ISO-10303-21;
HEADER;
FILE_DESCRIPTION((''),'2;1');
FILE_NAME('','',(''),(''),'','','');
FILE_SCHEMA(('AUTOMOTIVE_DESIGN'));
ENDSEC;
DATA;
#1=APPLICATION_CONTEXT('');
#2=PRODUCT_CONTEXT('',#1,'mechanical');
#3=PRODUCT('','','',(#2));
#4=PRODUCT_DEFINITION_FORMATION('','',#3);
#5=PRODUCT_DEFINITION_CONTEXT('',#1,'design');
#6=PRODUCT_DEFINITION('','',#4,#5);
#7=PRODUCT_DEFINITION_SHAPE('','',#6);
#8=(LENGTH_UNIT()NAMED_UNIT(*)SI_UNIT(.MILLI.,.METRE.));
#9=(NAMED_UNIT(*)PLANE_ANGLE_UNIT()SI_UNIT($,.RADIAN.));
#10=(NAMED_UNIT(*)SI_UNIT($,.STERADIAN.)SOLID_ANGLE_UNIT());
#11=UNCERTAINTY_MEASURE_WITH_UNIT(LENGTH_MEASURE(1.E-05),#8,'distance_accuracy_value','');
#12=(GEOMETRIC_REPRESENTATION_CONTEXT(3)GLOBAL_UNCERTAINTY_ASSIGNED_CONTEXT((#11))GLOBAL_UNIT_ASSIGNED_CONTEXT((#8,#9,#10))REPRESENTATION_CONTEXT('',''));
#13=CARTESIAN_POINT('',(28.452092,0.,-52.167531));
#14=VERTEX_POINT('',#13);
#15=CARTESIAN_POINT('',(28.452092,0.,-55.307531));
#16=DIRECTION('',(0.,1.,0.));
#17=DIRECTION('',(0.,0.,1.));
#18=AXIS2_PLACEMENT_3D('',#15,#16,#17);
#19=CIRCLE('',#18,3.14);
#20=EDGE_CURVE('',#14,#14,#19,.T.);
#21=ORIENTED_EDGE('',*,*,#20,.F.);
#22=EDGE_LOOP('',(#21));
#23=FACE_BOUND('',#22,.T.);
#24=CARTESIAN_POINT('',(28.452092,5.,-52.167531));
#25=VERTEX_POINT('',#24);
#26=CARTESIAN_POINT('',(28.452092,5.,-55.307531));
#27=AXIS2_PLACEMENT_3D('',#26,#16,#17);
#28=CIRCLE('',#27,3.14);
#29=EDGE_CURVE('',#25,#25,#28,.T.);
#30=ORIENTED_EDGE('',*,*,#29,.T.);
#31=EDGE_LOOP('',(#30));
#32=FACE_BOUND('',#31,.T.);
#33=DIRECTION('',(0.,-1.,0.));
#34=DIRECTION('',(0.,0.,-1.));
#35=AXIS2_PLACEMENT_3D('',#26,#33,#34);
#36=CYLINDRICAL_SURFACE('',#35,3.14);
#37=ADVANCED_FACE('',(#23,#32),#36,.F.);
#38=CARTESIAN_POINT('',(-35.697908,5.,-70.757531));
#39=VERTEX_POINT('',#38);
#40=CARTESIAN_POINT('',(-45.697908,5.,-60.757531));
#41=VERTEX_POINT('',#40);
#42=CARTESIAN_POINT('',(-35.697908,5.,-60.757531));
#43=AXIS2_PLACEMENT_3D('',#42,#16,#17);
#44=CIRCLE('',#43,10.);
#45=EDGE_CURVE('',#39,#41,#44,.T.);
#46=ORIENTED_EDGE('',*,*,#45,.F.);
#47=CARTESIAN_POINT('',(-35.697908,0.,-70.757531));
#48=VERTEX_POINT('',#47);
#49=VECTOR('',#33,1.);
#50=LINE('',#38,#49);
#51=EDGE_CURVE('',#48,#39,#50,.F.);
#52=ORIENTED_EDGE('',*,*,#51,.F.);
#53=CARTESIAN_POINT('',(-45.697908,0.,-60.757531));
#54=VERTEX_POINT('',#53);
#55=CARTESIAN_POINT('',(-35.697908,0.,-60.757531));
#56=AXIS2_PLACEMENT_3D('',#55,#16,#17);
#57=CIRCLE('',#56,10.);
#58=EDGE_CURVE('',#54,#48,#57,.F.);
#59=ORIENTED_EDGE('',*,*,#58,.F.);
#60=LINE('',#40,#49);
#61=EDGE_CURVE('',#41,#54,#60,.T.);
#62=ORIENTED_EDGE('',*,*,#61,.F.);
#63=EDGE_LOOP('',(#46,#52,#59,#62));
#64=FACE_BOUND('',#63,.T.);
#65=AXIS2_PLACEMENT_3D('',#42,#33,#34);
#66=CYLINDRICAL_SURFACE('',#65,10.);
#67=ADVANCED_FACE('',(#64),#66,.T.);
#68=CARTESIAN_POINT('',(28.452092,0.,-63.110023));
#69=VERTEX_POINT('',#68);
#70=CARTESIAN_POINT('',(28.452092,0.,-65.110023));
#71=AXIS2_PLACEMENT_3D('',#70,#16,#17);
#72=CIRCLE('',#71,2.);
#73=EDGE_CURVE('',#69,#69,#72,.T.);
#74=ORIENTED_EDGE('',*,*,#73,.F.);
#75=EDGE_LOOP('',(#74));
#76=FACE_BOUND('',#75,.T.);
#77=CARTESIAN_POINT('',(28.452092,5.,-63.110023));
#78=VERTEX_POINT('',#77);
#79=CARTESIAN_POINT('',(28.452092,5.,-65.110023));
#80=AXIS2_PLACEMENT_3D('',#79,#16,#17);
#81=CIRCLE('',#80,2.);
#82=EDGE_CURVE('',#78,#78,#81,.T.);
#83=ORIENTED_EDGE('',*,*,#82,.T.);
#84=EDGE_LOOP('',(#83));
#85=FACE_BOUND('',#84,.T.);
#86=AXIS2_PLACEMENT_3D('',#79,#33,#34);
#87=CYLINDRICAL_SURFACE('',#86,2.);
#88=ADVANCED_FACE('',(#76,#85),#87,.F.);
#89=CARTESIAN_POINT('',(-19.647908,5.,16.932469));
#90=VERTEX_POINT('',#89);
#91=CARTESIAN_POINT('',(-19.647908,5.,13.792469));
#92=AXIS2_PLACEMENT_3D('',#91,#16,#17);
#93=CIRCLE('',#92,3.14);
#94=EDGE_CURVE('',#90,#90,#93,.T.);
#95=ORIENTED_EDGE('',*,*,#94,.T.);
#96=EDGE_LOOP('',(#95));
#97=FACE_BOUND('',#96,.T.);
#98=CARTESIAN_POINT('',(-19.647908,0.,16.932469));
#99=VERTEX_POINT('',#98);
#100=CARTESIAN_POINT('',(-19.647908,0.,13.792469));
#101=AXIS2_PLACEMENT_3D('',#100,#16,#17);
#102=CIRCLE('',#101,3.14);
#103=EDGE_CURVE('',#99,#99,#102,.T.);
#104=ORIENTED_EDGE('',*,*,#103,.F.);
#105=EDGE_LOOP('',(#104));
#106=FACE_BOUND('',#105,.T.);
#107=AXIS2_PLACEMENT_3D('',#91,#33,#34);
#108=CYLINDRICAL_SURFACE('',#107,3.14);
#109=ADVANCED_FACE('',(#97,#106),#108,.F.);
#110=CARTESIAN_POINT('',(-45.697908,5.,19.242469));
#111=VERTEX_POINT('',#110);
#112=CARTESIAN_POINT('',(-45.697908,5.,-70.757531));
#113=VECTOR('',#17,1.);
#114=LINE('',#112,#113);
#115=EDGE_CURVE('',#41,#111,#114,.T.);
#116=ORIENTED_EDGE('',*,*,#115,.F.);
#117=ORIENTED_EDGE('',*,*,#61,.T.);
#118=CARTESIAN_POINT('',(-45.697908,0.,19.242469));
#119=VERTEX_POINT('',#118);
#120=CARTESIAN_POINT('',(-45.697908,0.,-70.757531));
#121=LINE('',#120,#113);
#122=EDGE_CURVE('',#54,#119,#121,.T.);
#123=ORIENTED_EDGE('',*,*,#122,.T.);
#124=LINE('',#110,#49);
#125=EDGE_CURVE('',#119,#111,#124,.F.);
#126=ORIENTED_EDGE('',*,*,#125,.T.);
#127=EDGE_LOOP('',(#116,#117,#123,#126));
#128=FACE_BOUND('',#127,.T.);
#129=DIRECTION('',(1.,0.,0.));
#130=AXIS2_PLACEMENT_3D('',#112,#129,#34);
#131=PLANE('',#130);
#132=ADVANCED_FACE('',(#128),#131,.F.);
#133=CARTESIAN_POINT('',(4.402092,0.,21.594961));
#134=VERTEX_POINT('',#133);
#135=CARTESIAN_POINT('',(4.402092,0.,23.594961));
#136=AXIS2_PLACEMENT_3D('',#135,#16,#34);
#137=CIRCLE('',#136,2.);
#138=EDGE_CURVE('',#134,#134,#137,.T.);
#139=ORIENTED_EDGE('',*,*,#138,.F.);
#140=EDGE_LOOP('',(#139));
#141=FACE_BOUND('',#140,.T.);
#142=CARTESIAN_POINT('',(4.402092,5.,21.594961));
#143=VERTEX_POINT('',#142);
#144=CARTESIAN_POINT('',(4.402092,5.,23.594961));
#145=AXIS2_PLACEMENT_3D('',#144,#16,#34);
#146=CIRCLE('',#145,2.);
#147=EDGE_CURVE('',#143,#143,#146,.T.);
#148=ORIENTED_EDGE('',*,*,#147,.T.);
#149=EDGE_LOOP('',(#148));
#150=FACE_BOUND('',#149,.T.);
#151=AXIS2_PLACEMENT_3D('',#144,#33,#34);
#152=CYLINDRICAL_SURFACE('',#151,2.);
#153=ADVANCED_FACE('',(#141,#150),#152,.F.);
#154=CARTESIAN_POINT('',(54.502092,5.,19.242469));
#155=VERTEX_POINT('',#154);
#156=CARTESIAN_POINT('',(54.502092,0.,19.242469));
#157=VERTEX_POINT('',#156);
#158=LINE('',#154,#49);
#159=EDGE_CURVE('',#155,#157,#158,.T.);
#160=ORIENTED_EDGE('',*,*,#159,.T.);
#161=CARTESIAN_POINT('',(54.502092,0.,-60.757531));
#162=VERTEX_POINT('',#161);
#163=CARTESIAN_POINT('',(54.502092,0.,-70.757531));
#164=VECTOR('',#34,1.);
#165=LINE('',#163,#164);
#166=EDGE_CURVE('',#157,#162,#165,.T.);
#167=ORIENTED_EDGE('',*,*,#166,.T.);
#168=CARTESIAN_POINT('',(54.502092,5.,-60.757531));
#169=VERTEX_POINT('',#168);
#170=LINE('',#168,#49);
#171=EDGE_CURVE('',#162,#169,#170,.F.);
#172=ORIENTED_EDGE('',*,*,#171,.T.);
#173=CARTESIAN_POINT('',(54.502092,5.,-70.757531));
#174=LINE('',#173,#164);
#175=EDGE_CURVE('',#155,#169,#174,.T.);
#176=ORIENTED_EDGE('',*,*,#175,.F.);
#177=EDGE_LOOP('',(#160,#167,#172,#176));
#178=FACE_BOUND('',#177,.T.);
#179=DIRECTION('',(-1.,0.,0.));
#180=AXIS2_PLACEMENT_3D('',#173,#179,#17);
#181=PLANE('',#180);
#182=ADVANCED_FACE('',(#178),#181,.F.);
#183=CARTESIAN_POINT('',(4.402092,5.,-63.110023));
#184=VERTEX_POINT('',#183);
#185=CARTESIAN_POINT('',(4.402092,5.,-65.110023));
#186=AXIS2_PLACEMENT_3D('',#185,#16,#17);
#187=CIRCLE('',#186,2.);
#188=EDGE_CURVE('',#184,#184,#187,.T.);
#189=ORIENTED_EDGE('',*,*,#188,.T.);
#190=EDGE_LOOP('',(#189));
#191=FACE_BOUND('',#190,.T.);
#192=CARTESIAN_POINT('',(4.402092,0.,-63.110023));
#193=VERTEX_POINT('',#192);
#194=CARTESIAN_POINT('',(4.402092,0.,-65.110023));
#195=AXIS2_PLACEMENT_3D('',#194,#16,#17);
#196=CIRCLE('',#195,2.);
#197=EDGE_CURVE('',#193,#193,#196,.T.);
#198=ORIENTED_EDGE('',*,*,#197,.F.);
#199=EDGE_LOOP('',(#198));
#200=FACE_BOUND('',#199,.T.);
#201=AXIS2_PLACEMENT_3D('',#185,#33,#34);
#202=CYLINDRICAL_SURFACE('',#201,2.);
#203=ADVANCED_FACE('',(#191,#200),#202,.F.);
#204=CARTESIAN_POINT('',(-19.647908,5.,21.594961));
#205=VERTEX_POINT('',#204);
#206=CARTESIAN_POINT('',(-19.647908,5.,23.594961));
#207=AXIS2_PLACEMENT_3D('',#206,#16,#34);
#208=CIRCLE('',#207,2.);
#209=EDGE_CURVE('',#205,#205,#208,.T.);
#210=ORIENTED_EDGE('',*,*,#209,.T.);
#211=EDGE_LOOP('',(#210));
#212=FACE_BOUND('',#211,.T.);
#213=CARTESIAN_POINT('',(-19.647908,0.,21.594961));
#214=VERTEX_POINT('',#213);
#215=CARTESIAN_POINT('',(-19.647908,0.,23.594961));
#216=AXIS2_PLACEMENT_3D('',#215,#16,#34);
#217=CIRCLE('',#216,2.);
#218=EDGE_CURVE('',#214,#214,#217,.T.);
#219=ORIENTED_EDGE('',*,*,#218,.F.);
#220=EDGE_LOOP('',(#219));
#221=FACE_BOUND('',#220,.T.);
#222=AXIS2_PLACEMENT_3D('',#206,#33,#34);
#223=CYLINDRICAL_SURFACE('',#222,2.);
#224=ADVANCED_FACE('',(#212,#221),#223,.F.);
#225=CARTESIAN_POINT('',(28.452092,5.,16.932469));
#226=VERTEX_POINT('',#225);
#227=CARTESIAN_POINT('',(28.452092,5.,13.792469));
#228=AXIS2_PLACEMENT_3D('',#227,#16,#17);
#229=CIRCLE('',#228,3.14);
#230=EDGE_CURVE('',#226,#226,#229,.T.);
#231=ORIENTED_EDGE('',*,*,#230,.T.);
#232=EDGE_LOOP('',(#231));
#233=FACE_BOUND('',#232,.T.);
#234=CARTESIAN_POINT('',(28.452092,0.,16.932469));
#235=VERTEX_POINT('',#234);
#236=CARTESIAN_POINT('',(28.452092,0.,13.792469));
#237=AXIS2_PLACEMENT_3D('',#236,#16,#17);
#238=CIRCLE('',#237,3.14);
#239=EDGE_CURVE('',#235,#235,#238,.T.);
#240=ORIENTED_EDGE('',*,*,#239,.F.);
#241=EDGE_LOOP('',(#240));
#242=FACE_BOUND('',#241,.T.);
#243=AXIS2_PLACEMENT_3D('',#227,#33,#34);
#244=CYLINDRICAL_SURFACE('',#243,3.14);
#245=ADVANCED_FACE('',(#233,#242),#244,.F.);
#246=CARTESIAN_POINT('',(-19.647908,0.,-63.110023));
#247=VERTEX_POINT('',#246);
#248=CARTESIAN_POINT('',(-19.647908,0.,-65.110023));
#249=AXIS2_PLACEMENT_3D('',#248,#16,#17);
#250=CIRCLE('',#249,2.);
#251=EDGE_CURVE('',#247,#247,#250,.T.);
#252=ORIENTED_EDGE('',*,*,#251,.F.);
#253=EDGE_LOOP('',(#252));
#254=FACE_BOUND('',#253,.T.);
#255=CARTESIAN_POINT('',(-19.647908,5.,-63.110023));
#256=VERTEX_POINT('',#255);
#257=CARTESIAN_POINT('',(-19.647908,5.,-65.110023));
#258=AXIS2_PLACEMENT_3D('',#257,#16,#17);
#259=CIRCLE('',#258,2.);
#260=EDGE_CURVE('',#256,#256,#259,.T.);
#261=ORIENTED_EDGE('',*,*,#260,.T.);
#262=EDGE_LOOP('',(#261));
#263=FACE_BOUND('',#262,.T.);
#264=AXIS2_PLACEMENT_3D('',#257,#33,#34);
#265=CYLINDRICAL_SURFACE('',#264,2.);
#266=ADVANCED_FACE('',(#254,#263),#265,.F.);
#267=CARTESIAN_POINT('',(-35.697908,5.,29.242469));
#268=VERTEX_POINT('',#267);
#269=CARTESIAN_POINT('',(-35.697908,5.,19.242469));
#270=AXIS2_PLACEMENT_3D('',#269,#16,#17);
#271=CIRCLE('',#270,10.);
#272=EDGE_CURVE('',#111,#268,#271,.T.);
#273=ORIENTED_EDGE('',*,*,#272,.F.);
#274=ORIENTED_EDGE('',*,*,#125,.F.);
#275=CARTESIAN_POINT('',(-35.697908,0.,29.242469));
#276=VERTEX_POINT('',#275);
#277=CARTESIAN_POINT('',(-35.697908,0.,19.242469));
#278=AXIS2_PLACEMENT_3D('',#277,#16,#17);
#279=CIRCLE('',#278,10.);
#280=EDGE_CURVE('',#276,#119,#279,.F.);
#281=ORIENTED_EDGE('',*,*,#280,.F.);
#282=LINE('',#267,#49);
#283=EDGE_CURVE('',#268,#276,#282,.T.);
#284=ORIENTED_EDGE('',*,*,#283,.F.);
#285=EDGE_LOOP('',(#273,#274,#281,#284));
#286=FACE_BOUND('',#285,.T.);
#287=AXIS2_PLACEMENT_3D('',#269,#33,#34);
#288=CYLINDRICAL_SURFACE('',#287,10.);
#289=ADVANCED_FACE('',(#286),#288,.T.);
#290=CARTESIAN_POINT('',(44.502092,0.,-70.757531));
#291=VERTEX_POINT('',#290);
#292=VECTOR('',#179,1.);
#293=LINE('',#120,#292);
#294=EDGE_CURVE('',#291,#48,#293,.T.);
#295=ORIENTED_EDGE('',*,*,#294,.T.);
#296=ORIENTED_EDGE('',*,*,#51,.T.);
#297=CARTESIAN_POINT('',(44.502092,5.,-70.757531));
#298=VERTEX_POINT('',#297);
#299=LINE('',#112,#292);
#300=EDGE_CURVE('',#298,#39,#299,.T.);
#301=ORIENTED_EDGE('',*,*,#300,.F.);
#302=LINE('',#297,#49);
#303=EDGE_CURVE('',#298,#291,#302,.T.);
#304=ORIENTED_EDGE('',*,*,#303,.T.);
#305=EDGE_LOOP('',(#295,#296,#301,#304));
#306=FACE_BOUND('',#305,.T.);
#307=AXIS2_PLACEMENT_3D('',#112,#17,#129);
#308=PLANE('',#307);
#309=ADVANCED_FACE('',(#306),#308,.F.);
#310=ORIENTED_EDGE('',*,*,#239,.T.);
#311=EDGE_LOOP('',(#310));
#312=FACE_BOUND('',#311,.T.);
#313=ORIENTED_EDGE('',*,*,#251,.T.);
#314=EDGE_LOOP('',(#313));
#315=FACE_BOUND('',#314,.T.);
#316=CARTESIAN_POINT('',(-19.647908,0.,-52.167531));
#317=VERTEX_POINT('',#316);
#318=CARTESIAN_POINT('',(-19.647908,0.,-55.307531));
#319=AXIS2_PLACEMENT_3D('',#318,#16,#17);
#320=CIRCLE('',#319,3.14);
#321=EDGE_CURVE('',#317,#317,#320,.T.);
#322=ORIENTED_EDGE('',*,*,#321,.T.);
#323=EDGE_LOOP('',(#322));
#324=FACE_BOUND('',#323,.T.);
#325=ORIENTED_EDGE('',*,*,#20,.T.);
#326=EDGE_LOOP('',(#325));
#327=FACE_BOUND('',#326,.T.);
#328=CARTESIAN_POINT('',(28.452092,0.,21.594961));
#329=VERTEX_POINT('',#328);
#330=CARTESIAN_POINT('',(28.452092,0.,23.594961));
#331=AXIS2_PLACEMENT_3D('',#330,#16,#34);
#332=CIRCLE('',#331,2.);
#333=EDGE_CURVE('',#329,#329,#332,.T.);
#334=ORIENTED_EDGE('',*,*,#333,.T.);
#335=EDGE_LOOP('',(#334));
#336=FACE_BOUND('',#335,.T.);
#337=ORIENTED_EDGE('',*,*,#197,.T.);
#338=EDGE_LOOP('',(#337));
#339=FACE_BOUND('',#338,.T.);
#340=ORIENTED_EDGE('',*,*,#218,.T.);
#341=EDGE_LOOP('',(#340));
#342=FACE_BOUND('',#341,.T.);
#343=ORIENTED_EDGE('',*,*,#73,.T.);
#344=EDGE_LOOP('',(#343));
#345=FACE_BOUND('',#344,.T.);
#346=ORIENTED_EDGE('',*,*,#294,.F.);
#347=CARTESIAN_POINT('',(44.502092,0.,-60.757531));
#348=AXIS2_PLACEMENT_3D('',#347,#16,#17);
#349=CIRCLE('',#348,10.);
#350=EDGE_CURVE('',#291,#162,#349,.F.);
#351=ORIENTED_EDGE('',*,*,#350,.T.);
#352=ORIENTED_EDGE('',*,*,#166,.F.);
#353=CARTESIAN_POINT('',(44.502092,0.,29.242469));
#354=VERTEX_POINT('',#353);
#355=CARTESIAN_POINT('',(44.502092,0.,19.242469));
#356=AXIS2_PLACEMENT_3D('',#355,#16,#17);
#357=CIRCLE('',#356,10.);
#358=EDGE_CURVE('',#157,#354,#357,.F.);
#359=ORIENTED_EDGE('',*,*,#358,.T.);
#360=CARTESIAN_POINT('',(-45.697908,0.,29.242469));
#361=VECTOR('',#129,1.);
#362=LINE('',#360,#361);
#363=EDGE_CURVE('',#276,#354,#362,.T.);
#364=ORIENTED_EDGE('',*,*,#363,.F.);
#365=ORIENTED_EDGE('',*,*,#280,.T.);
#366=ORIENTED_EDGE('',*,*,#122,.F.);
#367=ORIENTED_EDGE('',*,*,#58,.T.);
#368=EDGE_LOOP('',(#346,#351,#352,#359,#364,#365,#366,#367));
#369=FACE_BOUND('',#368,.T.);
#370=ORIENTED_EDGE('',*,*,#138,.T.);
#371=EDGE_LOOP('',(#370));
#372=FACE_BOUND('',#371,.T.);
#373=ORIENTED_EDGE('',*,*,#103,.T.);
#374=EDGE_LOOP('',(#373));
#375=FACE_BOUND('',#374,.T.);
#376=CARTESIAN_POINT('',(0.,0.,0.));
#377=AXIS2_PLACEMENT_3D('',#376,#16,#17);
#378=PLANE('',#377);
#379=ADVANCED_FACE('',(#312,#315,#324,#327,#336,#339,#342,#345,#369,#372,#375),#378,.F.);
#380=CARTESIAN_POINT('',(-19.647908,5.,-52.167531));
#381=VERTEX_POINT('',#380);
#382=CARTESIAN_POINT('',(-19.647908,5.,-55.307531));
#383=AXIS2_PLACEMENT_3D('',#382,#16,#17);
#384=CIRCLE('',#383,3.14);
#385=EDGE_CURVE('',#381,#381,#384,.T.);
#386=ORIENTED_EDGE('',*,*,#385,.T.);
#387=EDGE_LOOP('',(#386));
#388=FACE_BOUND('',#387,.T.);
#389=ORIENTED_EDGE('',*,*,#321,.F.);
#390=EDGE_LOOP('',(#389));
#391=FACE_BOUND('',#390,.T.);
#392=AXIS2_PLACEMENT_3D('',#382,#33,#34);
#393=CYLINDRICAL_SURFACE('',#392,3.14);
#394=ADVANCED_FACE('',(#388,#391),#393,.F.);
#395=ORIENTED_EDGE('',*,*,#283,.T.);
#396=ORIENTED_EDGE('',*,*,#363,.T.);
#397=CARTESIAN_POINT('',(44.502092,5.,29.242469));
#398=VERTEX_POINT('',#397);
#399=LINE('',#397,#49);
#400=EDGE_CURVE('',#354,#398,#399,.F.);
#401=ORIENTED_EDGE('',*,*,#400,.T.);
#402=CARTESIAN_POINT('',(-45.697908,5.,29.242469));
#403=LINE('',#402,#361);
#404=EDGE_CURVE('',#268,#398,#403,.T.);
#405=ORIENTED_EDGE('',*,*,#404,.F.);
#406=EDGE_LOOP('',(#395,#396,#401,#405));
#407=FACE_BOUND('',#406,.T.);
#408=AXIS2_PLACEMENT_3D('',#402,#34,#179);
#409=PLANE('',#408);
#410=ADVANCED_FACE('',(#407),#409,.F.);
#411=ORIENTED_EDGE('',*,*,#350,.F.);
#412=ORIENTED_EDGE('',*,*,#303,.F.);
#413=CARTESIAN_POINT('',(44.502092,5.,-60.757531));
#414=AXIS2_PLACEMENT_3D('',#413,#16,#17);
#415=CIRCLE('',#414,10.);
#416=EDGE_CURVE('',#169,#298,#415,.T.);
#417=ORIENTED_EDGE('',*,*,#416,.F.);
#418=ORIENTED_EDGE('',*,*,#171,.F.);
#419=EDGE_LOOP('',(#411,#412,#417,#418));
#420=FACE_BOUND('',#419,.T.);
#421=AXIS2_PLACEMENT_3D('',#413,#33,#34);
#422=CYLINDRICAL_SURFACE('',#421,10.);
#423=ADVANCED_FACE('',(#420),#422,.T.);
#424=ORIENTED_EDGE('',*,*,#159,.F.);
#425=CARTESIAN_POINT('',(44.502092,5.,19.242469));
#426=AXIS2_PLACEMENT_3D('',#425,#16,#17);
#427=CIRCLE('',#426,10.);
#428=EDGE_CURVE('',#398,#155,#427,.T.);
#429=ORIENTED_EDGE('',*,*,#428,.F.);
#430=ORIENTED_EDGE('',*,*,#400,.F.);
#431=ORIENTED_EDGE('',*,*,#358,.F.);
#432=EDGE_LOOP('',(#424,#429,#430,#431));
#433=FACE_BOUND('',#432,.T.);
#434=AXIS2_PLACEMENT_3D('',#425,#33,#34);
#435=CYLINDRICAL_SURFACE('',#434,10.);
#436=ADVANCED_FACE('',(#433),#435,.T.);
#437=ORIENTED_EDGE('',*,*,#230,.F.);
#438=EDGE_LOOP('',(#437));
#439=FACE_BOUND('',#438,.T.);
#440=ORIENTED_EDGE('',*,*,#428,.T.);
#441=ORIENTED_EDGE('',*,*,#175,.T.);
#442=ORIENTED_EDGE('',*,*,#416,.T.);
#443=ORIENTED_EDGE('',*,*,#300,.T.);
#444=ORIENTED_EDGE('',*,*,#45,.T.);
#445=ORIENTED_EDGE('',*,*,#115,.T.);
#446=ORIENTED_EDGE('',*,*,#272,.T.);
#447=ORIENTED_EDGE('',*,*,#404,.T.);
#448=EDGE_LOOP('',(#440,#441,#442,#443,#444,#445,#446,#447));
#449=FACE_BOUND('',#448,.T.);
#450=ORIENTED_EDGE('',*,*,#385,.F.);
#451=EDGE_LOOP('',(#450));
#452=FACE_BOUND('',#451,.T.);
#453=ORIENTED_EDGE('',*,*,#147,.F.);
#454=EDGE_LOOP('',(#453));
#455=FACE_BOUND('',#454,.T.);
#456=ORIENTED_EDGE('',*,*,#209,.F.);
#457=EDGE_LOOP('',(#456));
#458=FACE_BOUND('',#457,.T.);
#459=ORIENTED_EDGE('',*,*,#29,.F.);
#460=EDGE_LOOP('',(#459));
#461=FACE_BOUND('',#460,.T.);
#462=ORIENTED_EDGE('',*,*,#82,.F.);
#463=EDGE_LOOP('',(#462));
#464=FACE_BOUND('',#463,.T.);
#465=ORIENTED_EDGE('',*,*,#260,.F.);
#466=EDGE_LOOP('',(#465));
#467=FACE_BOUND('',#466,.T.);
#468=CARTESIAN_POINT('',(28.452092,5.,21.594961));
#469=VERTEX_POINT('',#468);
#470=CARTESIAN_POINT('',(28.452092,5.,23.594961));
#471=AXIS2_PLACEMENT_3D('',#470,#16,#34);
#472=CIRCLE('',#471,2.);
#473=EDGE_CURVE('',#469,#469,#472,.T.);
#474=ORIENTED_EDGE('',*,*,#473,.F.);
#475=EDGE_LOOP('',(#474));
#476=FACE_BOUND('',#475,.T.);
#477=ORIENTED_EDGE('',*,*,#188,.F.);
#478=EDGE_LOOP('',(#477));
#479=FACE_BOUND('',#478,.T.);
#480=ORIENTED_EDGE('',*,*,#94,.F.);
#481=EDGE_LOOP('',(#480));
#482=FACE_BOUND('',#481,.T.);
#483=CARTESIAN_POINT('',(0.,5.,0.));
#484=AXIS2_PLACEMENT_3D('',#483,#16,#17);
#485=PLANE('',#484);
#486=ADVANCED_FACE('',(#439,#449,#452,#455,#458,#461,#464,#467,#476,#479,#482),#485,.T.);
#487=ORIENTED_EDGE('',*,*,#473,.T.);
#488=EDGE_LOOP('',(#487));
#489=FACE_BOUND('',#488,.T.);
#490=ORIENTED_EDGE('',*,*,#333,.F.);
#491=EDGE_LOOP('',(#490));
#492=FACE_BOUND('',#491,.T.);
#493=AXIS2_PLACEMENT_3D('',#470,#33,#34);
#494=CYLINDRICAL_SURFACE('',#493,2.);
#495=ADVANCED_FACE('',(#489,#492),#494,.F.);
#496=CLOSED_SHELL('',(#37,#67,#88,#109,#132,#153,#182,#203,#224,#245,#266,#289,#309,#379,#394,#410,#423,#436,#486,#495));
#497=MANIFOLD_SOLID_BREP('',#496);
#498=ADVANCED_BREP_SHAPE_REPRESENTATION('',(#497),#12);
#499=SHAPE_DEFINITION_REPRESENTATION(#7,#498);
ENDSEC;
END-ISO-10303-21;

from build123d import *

# Parameters (mm, degrees)
SKETCH_1_W      = 100.2
SKETCH_1_H      = 100
SKETCH_1_R      = 3.14
SKETCH_1_R_2    = 2
EXTRUDE_1_DEPTH = 5
FILLET_1_R      = 10


with BuildPart() as part:
    # 草图1 → 凸台-拉伸1 (new body)
    with BuildSketch(Plane(origin=(0, 0, 0), x_dir=(1, 0, 0), z_dir=(0, 1, 0))):
        with Locations((4.40209205, 20.757531381)):
            Rectangle(SKETCH_1_W, SKETCH_1_H)
        with Locations(Location((-19.64790795, 55.307531381, 0), (0, 0, 270))):
            Circle(SKETCH_1_R, mode=Mode.SUBTRACT)
        with Locations(Location((28.45209205, 55.307531381, 0), (0, 0, 270))):
            Circle(SKETCH_1_R, mode=Mode.SUBTRACT)
        with Locations(Location((28.45209205, -13.792468619, 0), (0, 0, 270))):
            Circle(SKETCH_1_R, mode=Mode.SUBTRACT)
        with Locations(Location((-19.64790795, -13.792468619, 0), (0, 0, 270))):
            Circle(SKETCH_1_R, mode=Mode.SUBTRACT)
        with Locations(Location((-19.64790795, 65.110023284, 0), (0, 0, 270))):
            Circle(SKETCH_1_R_2, mode=Mode.SUBTRACT)
        with Locations(Location((4.40209205, 65.110023284, 0), (0, 0, 270))):
            Circle(SKETCH_1_R_2, mode=Mode.SUBTRACT)
        with Locations(Location((28.45209205, 65.110023284, 0), (0, 0, 270))):
            Circle(SKETCH_1_R_2, mode=Mode.SUBTRACT)
        with Locations(Location((28.45209205, -23.594960523, 0), (0, 0, 90))):
            Circle(SKETCH_1_R_2, mode=Mode.SUBTRACT)
        with Locations(Location((4.40209205, -23.594960523, 0), (0, 0, 90))):
            Circle(SKETCH_1_R_2, mode=Mode.SUBTRACT)
        with Locations(Location((-19.64790795, -23.594960523, 0), (0, 0, 90))):
            Circle(SKETCH_1_R_2, mode=Mode.SUBTRACT)
    extrude(amount=EXTRUDE_1_DEPTH)

    # 圆角1
    fillet_1_edges = [part.edges().sort_by_distance(p)[0] for p in [
        (-45.69790795, 2.5, -70.757531381),
        (54.50209205, 2.5, -70.757531381),
        (54.50209205, 2.5, 29.242468619),
        (-45.69790795, 2.5, 29.242468619),
    ]]
    fillet(fillet_1_edges, radius=FILLET_1_R)


solid = part.part
